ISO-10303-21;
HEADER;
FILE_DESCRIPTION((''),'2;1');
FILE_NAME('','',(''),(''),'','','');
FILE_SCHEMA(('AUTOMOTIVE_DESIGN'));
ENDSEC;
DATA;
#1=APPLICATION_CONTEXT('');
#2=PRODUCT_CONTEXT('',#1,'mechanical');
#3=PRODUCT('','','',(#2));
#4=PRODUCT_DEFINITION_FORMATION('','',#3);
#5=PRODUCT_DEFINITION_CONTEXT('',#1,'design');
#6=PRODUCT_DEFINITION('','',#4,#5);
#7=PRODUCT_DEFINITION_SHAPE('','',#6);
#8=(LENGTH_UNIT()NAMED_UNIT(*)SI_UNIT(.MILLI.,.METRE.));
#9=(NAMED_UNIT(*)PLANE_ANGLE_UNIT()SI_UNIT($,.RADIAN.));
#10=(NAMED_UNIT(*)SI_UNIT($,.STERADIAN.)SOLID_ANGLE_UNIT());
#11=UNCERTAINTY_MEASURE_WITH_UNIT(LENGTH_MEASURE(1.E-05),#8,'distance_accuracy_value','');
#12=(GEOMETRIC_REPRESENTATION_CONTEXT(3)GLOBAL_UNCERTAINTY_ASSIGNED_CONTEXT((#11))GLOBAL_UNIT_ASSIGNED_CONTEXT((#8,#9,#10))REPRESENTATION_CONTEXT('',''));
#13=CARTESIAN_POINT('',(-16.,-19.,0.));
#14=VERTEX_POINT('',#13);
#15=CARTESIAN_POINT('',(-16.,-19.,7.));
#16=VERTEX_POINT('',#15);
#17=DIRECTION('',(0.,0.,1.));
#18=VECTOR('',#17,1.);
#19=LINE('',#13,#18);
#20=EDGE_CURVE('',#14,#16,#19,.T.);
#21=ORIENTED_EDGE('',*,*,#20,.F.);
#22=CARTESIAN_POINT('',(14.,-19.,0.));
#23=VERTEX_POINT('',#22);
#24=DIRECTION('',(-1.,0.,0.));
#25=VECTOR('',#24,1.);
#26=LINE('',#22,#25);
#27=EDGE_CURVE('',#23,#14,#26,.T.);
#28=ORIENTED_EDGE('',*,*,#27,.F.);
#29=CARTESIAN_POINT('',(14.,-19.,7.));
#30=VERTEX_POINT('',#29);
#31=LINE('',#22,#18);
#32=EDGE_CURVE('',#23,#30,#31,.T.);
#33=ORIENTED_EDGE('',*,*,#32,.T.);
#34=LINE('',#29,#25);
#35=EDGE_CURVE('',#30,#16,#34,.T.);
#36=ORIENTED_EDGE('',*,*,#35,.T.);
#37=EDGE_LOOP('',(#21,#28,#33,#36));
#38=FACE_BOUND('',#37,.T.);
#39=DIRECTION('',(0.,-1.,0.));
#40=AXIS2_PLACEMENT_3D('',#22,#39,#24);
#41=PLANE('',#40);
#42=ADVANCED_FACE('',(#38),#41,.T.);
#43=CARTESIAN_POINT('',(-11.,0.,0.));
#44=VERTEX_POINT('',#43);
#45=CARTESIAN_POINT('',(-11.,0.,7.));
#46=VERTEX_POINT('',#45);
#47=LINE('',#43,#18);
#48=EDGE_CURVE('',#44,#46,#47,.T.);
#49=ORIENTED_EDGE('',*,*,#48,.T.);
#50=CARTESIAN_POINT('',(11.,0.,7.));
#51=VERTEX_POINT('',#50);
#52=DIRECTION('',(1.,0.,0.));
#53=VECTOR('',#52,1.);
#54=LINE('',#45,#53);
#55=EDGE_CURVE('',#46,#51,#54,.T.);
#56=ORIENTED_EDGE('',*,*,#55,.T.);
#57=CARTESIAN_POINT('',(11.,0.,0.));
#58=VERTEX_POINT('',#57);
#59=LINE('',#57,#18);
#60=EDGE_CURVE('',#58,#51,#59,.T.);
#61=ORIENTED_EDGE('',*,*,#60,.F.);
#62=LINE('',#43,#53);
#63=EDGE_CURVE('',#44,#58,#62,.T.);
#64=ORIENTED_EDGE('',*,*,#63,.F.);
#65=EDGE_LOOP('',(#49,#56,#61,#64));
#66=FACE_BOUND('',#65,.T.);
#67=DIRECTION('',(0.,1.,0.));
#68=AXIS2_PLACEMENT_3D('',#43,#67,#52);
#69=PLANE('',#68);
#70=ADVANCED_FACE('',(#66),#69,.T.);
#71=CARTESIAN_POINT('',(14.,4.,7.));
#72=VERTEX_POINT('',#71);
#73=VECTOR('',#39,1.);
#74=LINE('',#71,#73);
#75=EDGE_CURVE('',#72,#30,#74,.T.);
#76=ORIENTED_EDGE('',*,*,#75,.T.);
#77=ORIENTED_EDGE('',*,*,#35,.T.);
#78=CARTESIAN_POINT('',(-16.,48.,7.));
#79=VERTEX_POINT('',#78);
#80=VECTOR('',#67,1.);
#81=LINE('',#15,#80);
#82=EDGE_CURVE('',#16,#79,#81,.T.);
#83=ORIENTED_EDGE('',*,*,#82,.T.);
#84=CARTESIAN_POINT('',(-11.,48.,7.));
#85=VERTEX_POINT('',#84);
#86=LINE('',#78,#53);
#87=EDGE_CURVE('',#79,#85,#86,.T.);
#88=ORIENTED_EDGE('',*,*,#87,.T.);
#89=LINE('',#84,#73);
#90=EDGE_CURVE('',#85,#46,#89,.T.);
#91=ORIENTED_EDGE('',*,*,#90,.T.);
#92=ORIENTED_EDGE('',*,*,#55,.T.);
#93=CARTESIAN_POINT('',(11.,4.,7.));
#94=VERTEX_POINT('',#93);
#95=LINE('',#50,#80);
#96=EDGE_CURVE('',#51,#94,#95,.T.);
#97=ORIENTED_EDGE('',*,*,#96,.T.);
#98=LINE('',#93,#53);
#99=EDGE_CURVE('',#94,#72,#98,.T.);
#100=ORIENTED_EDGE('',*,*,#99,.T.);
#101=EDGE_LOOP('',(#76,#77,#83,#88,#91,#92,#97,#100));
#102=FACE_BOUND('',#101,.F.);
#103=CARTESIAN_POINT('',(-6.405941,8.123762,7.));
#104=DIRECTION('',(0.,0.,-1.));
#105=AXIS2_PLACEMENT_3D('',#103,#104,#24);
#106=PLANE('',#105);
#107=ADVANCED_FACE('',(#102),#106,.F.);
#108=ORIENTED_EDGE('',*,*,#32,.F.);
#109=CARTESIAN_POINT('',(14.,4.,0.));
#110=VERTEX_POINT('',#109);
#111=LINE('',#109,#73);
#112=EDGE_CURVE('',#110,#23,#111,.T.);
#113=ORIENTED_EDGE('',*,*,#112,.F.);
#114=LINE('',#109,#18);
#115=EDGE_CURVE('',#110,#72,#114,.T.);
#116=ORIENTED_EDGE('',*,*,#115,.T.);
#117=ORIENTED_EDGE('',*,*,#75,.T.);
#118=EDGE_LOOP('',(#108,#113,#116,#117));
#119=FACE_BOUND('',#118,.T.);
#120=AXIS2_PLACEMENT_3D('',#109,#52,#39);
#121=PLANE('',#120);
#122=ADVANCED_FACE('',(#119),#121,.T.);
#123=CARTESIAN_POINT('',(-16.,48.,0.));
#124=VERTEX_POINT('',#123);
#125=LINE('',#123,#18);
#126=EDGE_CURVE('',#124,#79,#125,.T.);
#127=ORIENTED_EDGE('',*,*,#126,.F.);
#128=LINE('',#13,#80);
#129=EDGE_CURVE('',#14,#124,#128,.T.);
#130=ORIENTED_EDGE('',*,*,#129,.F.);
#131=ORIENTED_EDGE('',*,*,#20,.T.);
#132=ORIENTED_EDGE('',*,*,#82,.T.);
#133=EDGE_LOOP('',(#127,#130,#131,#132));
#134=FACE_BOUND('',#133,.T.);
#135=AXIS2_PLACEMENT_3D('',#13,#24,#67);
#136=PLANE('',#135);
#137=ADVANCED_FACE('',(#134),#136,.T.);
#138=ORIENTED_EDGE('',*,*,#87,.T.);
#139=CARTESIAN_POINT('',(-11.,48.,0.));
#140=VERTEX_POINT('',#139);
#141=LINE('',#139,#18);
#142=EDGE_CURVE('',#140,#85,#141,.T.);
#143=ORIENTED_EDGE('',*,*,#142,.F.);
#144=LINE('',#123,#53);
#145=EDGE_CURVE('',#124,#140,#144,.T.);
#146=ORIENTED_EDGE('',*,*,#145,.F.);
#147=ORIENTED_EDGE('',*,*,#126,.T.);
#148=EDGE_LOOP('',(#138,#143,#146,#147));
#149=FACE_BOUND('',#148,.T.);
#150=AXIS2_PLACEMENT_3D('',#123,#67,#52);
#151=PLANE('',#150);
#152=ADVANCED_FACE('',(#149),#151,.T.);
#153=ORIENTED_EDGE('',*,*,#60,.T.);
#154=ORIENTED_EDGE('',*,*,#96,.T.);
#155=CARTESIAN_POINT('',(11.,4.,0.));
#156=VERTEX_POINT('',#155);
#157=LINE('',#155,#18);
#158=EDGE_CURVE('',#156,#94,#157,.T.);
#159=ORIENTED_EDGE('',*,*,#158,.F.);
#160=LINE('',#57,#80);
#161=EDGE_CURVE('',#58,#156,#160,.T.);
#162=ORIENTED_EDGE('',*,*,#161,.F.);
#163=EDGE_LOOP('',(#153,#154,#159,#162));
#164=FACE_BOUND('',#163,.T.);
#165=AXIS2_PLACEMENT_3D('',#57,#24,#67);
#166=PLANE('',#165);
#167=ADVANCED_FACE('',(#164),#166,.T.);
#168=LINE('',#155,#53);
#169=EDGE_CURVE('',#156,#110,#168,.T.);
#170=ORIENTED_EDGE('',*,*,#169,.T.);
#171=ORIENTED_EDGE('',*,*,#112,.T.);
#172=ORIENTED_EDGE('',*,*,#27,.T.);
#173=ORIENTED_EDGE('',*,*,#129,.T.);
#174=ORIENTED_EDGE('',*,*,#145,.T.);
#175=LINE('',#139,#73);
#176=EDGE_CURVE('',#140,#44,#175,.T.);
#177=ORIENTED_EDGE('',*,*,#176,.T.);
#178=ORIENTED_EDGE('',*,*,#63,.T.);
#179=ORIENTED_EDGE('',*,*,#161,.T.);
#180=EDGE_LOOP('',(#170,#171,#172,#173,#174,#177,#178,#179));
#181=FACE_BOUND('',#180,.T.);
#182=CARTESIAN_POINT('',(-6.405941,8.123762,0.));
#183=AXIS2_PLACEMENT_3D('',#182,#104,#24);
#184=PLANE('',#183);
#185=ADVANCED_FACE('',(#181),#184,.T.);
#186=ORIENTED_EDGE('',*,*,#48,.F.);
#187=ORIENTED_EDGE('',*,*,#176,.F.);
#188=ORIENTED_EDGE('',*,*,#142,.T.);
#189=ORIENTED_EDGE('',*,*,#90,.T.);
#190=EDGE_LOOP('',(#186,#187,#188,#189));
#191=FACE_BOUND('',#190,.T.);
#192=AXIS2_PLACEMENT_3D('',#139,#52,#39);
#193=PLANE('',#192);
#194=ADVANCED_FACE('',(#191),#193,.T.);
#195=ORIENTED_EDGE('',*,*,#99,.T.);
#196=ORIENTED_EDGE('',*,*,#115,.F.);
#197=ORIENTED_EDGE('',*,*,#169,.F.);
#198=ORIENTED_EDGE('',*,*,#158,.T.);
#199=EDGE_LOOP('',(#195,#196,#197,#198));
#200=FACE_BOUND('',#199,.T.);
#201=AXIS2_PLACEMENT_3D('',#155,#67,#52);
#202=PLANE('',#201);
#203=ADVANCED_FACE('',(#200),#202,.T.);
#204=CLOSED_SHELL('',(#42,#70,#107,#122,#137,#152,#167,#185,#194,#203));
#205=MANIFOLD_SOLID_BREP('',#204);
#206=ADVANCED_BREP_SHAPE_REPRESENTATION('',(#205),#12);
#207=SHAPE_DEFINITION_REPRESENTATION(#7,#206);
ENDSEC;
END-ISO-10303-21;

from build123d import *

# Parameters (mm, degrees)
PAD_DEPTH = 7


with BuildPart() as part:
    # Sketch → Pad (new body)
    with BuildSketch(Plane.XY):
        Polygon((-11, 0), (11, 0), (11, 4), (14, 4), (14, -19), (-16, -19), (-16, 48), (-11, 48), align=None)
    extrude(amount=PAD_DEPTH)


solid = part.part
